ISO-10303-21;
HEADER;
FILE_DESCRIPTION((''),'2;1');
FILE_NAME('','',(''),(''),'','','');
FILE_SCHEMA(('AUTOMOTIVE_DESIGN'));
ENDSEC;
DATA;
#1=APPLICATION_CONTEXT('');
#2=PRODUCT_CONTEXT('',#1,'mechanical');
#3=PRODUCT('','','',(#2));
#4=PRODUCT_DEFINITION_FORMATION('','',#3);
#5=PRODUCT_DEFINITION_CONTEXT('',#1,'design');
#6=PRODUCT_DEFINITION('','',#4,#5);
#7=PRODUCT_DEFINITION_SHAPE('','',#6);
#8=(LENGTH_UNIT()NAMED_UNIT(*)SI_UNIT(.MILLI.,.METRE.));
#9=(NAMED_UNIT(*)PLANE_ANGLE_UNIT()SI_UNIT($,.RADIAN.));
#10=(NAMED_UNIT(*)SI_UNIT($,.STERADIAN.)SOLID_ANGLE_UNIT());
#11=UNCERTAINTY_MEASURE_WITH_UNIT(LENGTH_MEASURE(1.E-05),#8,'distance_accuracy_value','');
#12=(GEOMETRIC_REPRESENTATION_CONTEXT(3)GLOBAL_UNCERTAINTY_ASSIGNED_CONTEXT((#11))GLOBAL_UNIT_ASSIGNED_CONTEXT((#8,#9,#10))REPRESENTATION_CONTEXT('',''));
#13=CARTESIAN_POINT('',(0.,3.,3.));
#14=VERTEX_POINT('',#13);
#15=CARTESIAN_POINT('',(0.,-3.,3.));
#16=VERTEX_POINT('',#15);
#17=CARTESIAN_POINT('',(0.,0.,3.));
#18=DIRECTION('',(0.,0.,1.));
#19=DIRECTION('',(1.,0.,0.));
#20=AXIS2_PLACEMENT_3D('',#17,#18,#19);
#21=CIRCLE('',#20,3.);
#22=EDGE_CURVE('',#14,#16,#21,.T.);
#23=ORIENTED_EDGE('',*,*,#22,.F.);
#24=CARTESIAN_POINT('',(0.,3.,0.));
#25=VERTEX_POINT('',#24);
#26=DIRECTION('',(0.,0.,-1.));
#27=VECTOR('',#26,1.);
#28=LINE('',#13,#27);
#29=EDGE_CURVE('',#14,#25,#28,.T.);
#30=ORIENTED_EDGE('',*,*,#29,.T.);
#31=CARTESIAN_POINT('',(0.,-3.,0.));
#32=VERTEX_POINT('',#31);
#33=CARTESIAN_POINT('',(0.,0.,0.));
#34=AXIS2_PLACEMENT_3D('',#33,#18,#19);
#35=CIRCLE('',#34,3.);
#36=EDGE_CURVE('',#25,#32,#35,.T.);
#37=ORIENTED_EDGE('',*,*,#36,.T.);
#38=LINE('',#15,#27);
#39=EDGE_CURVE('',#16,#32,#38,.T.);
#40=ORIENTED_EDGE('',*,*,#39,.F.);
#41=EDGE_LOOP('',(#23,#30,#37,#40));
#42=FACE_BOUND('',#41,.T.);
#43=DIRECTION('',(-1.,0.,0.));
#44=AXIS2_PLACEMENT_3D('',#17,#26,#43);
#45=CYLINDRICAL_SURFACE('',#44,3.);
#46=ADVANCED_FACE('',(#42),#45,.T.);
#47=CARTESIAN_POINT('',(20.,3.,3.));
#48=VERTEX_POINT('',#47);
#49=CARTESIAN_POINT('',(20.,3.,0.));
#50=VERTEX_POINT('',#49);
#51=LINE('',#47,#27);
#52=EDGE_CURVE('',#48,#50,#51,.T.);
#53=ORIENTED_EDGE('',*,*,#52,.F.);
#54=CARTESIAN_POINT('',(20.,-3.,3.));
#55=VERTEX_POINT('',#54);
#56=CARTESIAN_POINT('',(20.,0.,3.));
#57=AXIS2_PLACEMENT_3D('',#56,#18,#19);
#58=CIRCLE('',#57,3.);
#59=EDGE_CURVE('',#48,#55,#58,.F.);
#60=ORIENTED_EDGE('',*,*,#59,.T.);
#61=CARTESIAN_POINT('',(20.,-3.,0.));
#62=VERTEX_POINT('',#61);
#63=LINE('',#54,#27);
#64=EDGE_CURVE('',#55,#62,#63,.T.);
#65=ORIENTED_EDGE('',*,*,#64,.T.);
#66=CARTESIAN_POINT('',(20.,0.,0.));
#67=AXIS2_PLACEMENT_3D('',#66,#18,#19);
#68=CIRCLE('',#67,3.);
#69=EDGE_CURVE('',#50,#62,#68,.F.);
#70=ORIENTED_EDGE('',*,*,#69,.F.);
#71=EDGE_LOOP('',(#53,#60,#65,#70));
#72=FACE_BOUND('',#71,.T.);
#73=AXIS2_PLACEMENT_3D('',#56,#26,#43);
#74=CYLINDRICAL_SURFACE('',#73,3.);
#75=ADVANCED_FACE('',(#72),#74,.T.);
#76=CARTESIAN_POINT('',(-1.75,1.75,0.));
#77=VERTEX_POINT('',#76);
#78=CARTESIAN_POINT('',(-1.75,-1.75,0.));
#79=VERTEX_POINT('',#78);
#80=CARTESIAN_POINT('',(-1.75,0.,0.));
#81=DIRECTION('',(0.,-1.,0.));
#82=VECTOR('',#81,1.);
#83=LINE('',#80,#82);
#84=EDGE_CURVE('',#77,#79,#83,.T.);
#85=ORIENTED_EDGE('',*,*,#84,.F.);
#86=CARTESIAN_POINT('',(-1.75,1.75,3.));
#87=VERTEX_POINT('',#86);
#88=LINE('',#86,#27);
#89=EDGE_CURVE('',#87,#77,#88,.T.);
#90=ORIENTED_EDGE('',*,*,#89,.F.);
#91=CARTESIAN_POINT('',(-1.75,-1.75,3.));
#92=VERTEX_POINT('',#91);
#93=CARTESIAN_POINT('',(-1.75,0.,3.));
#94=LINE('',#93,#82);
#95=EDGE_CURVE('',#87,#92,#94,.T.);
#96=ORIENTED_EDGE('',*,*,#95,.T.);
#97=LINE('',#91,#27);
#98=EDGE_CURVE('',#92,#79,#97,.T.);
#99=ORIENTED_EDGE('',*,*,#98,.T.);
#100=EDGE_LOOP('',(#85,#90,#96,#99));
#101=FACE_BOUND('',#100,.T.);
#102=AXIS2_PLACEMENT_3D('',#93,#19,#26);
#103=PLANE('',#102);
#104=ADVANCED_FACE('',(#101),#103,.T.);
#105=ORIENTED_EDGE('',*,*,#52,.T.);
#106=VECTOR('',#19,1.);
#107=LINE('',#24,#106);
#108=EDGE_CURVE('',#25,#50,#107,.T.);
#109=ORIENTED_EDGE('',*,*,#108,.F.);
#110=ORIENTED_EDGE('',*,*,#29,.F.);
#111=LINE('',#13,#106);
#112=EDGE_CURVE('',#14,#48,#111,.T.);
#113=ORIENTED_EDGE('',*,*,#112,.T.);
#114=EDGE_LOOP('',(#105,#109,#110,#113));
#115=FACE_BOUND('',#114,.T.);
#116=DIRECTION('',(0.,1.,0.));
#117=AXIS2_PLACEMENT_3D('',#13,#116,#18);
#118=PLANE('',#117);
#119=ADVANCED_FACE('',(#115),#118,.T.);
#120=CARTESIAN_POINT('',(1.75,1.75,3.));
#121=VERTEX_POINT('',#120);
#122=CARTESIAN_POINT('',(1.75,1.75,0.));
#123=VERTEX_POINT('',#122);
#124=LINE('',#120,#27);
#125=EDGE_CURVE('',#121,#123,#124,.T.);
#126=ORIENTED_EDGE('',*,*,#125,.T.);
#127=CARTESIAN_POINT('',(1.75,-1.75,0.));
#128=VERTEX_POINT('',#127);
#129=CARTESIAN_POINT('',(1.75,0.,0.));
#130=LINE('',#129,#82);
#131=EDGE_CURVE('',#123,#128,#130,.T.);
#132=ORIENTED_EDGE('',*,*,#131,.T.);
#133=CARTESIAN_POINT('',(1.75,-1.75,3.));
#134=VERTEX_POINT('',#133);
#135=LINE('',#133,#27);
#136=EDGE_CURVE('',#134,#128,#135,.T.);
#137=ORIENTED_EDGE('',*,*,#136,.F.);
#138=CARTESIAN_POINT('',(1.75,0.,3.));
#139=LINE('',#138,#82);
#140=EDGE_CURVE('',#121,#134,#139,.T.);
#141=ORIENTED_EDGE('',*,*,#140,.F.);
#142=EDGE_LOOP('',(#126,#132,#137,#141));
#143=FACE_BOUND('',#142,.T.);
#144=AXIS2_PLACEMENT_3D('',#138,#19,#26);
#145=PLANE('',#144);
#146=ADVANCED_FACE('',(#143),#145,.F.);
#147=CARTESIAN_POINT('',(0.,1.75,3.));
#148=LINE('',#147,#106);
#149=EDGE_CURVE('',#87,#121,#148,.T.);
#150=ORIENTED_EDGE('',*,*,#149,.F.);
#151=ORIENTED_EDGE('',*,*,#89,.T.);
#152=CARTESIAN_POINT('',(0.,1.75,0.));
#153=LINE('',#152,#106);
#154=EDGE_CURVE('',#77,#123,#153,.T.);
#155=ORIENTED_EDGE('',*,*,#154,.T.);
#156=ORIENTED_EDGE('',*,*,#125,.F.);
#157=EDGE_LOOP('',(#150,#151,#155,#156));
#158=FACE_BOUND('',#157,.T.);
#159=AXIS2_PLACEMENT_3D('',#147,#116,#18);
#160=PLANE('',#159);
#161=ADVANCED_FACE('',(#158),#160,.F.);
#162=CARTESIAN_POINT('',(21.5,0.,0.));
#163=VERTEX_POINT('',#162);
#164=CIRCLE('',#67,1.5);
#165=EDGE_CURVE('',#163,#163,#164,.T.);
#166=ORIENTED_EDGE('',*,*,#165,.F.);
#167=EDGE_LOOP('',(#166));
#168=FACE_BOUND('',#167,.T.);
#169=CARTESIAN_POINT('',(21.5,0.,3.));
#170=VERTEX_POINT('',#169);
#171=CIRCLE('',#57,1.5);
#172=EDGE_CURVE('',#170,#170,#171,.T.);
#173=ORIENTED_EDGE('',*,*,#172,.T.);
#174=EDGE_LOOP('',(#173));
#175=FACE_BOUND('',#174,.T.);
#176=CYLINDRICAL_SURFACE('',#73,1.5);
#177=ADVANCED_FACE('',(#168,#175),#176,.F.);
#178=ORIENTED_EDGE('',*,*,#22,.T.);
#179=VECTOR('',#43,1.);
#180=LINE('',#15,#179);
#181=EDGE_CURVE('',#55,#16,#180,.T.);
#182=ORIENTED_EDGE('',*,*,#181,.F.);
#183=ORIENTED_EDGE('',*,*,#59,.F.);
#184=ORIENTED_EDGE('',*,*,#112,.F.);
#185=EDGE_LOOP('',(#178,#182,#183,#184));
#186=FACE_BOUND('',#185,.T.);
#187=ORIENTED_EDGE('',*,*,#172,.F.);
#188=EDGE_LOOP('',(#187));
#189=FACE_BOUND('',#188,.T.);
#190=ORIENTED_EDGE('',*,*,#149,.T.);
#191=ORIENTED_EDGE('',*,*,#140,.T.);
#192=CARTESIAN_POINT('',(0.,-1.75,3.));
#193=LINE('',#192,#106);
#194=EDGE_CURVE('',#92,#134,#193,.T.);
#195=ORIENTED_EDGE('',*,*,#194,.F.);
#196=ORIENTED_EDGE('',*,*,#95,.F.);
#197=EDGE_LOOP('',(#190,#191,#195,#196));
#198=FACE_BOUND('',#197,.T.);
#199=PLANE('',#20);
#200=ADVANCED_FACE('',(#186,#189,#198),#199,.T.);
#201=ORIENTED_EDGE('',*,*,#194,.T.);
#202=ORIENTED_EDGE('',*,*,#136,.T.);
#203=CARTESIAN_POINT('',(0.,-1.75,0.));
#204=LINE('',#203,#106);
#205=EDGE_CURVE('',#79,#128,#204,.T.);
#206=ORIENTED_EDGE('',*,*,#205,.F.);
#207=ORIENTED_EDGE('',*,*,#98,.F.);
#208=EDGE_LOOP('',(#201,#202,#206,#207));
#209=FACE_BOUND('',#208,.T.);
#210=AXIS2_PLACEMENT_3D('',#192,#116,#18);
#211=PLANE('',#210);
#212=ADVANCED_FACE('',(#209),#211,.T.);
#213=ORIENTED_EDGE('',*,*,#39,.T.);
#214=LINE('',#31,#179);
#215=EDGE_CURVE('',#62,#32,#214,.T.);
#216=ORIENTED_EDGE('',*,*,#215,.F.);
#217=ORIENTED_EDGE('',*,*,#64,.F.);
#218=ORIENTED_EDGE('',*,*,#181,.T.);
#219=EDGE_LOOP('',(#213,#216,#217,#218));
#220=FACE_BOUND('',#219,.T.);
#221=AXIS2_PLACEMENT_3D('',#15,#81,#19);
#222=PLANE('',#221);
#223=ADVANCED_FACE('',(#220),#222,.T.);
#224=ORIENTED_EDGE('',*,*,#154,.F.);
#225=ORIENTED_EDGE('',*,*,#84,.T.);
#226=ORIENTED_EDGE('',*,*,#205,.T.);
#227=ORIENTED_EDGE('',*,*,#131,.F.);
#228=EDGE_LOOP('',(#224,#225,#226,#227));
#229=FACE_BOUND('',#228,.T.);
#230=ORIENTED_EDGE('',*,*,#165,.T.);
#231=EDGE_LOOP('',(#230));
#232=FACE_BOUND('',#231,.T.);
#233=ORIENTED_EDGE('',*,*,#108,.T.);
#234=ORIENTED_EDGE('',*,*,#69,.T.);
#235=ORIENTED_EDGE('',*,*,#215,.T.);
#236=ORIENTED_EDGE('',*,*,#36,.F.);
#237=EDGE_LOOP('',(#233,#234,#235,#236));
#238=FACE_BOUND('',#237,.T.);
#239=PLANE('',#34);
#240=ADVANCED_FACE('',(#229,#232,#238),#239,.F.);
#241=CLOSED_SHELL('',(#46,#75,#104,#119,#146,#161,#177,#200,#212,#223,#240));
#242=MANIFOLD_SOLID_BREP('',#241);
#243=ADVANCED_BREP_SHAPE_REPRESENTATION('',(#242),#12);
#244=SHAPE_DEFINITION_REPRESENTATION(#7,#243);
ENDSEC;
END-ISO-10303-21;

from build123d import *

# Parameters (mm, degrees)
ESQUISSE1_R        = 1.5
ESQUISSE1_W        = 3.5
ESQUISSE1_H        = 3.5
BOSS_EXTRU_1_DEPTH = 3


with BuildPart() as part:
    # Esquisse1 → Boss.-Extru.1 (new body)
    with BuildSketch(Plane.XY):
        with BuildLine():
            Line((0, 3), (20, 3))
            ThreePointArc((20, 3), (23, 0), (20, -3))
            Line((20, -3), (0, -3))
            ThreePointArc((0, -3), (-3, 0), (0, 3))
        make_face()
        with Locations((20, 0)):
            Circle(ESQUISSE1_R, mode=Mode.SUBTRACT)
        Rectangle(ESQUISSE1_W, ESQUISSE1_H, mode=Mode.SUBTRACT)
    extrude(amount=BOSS_EXTRU_1_DEPTH)


solid = part.part
